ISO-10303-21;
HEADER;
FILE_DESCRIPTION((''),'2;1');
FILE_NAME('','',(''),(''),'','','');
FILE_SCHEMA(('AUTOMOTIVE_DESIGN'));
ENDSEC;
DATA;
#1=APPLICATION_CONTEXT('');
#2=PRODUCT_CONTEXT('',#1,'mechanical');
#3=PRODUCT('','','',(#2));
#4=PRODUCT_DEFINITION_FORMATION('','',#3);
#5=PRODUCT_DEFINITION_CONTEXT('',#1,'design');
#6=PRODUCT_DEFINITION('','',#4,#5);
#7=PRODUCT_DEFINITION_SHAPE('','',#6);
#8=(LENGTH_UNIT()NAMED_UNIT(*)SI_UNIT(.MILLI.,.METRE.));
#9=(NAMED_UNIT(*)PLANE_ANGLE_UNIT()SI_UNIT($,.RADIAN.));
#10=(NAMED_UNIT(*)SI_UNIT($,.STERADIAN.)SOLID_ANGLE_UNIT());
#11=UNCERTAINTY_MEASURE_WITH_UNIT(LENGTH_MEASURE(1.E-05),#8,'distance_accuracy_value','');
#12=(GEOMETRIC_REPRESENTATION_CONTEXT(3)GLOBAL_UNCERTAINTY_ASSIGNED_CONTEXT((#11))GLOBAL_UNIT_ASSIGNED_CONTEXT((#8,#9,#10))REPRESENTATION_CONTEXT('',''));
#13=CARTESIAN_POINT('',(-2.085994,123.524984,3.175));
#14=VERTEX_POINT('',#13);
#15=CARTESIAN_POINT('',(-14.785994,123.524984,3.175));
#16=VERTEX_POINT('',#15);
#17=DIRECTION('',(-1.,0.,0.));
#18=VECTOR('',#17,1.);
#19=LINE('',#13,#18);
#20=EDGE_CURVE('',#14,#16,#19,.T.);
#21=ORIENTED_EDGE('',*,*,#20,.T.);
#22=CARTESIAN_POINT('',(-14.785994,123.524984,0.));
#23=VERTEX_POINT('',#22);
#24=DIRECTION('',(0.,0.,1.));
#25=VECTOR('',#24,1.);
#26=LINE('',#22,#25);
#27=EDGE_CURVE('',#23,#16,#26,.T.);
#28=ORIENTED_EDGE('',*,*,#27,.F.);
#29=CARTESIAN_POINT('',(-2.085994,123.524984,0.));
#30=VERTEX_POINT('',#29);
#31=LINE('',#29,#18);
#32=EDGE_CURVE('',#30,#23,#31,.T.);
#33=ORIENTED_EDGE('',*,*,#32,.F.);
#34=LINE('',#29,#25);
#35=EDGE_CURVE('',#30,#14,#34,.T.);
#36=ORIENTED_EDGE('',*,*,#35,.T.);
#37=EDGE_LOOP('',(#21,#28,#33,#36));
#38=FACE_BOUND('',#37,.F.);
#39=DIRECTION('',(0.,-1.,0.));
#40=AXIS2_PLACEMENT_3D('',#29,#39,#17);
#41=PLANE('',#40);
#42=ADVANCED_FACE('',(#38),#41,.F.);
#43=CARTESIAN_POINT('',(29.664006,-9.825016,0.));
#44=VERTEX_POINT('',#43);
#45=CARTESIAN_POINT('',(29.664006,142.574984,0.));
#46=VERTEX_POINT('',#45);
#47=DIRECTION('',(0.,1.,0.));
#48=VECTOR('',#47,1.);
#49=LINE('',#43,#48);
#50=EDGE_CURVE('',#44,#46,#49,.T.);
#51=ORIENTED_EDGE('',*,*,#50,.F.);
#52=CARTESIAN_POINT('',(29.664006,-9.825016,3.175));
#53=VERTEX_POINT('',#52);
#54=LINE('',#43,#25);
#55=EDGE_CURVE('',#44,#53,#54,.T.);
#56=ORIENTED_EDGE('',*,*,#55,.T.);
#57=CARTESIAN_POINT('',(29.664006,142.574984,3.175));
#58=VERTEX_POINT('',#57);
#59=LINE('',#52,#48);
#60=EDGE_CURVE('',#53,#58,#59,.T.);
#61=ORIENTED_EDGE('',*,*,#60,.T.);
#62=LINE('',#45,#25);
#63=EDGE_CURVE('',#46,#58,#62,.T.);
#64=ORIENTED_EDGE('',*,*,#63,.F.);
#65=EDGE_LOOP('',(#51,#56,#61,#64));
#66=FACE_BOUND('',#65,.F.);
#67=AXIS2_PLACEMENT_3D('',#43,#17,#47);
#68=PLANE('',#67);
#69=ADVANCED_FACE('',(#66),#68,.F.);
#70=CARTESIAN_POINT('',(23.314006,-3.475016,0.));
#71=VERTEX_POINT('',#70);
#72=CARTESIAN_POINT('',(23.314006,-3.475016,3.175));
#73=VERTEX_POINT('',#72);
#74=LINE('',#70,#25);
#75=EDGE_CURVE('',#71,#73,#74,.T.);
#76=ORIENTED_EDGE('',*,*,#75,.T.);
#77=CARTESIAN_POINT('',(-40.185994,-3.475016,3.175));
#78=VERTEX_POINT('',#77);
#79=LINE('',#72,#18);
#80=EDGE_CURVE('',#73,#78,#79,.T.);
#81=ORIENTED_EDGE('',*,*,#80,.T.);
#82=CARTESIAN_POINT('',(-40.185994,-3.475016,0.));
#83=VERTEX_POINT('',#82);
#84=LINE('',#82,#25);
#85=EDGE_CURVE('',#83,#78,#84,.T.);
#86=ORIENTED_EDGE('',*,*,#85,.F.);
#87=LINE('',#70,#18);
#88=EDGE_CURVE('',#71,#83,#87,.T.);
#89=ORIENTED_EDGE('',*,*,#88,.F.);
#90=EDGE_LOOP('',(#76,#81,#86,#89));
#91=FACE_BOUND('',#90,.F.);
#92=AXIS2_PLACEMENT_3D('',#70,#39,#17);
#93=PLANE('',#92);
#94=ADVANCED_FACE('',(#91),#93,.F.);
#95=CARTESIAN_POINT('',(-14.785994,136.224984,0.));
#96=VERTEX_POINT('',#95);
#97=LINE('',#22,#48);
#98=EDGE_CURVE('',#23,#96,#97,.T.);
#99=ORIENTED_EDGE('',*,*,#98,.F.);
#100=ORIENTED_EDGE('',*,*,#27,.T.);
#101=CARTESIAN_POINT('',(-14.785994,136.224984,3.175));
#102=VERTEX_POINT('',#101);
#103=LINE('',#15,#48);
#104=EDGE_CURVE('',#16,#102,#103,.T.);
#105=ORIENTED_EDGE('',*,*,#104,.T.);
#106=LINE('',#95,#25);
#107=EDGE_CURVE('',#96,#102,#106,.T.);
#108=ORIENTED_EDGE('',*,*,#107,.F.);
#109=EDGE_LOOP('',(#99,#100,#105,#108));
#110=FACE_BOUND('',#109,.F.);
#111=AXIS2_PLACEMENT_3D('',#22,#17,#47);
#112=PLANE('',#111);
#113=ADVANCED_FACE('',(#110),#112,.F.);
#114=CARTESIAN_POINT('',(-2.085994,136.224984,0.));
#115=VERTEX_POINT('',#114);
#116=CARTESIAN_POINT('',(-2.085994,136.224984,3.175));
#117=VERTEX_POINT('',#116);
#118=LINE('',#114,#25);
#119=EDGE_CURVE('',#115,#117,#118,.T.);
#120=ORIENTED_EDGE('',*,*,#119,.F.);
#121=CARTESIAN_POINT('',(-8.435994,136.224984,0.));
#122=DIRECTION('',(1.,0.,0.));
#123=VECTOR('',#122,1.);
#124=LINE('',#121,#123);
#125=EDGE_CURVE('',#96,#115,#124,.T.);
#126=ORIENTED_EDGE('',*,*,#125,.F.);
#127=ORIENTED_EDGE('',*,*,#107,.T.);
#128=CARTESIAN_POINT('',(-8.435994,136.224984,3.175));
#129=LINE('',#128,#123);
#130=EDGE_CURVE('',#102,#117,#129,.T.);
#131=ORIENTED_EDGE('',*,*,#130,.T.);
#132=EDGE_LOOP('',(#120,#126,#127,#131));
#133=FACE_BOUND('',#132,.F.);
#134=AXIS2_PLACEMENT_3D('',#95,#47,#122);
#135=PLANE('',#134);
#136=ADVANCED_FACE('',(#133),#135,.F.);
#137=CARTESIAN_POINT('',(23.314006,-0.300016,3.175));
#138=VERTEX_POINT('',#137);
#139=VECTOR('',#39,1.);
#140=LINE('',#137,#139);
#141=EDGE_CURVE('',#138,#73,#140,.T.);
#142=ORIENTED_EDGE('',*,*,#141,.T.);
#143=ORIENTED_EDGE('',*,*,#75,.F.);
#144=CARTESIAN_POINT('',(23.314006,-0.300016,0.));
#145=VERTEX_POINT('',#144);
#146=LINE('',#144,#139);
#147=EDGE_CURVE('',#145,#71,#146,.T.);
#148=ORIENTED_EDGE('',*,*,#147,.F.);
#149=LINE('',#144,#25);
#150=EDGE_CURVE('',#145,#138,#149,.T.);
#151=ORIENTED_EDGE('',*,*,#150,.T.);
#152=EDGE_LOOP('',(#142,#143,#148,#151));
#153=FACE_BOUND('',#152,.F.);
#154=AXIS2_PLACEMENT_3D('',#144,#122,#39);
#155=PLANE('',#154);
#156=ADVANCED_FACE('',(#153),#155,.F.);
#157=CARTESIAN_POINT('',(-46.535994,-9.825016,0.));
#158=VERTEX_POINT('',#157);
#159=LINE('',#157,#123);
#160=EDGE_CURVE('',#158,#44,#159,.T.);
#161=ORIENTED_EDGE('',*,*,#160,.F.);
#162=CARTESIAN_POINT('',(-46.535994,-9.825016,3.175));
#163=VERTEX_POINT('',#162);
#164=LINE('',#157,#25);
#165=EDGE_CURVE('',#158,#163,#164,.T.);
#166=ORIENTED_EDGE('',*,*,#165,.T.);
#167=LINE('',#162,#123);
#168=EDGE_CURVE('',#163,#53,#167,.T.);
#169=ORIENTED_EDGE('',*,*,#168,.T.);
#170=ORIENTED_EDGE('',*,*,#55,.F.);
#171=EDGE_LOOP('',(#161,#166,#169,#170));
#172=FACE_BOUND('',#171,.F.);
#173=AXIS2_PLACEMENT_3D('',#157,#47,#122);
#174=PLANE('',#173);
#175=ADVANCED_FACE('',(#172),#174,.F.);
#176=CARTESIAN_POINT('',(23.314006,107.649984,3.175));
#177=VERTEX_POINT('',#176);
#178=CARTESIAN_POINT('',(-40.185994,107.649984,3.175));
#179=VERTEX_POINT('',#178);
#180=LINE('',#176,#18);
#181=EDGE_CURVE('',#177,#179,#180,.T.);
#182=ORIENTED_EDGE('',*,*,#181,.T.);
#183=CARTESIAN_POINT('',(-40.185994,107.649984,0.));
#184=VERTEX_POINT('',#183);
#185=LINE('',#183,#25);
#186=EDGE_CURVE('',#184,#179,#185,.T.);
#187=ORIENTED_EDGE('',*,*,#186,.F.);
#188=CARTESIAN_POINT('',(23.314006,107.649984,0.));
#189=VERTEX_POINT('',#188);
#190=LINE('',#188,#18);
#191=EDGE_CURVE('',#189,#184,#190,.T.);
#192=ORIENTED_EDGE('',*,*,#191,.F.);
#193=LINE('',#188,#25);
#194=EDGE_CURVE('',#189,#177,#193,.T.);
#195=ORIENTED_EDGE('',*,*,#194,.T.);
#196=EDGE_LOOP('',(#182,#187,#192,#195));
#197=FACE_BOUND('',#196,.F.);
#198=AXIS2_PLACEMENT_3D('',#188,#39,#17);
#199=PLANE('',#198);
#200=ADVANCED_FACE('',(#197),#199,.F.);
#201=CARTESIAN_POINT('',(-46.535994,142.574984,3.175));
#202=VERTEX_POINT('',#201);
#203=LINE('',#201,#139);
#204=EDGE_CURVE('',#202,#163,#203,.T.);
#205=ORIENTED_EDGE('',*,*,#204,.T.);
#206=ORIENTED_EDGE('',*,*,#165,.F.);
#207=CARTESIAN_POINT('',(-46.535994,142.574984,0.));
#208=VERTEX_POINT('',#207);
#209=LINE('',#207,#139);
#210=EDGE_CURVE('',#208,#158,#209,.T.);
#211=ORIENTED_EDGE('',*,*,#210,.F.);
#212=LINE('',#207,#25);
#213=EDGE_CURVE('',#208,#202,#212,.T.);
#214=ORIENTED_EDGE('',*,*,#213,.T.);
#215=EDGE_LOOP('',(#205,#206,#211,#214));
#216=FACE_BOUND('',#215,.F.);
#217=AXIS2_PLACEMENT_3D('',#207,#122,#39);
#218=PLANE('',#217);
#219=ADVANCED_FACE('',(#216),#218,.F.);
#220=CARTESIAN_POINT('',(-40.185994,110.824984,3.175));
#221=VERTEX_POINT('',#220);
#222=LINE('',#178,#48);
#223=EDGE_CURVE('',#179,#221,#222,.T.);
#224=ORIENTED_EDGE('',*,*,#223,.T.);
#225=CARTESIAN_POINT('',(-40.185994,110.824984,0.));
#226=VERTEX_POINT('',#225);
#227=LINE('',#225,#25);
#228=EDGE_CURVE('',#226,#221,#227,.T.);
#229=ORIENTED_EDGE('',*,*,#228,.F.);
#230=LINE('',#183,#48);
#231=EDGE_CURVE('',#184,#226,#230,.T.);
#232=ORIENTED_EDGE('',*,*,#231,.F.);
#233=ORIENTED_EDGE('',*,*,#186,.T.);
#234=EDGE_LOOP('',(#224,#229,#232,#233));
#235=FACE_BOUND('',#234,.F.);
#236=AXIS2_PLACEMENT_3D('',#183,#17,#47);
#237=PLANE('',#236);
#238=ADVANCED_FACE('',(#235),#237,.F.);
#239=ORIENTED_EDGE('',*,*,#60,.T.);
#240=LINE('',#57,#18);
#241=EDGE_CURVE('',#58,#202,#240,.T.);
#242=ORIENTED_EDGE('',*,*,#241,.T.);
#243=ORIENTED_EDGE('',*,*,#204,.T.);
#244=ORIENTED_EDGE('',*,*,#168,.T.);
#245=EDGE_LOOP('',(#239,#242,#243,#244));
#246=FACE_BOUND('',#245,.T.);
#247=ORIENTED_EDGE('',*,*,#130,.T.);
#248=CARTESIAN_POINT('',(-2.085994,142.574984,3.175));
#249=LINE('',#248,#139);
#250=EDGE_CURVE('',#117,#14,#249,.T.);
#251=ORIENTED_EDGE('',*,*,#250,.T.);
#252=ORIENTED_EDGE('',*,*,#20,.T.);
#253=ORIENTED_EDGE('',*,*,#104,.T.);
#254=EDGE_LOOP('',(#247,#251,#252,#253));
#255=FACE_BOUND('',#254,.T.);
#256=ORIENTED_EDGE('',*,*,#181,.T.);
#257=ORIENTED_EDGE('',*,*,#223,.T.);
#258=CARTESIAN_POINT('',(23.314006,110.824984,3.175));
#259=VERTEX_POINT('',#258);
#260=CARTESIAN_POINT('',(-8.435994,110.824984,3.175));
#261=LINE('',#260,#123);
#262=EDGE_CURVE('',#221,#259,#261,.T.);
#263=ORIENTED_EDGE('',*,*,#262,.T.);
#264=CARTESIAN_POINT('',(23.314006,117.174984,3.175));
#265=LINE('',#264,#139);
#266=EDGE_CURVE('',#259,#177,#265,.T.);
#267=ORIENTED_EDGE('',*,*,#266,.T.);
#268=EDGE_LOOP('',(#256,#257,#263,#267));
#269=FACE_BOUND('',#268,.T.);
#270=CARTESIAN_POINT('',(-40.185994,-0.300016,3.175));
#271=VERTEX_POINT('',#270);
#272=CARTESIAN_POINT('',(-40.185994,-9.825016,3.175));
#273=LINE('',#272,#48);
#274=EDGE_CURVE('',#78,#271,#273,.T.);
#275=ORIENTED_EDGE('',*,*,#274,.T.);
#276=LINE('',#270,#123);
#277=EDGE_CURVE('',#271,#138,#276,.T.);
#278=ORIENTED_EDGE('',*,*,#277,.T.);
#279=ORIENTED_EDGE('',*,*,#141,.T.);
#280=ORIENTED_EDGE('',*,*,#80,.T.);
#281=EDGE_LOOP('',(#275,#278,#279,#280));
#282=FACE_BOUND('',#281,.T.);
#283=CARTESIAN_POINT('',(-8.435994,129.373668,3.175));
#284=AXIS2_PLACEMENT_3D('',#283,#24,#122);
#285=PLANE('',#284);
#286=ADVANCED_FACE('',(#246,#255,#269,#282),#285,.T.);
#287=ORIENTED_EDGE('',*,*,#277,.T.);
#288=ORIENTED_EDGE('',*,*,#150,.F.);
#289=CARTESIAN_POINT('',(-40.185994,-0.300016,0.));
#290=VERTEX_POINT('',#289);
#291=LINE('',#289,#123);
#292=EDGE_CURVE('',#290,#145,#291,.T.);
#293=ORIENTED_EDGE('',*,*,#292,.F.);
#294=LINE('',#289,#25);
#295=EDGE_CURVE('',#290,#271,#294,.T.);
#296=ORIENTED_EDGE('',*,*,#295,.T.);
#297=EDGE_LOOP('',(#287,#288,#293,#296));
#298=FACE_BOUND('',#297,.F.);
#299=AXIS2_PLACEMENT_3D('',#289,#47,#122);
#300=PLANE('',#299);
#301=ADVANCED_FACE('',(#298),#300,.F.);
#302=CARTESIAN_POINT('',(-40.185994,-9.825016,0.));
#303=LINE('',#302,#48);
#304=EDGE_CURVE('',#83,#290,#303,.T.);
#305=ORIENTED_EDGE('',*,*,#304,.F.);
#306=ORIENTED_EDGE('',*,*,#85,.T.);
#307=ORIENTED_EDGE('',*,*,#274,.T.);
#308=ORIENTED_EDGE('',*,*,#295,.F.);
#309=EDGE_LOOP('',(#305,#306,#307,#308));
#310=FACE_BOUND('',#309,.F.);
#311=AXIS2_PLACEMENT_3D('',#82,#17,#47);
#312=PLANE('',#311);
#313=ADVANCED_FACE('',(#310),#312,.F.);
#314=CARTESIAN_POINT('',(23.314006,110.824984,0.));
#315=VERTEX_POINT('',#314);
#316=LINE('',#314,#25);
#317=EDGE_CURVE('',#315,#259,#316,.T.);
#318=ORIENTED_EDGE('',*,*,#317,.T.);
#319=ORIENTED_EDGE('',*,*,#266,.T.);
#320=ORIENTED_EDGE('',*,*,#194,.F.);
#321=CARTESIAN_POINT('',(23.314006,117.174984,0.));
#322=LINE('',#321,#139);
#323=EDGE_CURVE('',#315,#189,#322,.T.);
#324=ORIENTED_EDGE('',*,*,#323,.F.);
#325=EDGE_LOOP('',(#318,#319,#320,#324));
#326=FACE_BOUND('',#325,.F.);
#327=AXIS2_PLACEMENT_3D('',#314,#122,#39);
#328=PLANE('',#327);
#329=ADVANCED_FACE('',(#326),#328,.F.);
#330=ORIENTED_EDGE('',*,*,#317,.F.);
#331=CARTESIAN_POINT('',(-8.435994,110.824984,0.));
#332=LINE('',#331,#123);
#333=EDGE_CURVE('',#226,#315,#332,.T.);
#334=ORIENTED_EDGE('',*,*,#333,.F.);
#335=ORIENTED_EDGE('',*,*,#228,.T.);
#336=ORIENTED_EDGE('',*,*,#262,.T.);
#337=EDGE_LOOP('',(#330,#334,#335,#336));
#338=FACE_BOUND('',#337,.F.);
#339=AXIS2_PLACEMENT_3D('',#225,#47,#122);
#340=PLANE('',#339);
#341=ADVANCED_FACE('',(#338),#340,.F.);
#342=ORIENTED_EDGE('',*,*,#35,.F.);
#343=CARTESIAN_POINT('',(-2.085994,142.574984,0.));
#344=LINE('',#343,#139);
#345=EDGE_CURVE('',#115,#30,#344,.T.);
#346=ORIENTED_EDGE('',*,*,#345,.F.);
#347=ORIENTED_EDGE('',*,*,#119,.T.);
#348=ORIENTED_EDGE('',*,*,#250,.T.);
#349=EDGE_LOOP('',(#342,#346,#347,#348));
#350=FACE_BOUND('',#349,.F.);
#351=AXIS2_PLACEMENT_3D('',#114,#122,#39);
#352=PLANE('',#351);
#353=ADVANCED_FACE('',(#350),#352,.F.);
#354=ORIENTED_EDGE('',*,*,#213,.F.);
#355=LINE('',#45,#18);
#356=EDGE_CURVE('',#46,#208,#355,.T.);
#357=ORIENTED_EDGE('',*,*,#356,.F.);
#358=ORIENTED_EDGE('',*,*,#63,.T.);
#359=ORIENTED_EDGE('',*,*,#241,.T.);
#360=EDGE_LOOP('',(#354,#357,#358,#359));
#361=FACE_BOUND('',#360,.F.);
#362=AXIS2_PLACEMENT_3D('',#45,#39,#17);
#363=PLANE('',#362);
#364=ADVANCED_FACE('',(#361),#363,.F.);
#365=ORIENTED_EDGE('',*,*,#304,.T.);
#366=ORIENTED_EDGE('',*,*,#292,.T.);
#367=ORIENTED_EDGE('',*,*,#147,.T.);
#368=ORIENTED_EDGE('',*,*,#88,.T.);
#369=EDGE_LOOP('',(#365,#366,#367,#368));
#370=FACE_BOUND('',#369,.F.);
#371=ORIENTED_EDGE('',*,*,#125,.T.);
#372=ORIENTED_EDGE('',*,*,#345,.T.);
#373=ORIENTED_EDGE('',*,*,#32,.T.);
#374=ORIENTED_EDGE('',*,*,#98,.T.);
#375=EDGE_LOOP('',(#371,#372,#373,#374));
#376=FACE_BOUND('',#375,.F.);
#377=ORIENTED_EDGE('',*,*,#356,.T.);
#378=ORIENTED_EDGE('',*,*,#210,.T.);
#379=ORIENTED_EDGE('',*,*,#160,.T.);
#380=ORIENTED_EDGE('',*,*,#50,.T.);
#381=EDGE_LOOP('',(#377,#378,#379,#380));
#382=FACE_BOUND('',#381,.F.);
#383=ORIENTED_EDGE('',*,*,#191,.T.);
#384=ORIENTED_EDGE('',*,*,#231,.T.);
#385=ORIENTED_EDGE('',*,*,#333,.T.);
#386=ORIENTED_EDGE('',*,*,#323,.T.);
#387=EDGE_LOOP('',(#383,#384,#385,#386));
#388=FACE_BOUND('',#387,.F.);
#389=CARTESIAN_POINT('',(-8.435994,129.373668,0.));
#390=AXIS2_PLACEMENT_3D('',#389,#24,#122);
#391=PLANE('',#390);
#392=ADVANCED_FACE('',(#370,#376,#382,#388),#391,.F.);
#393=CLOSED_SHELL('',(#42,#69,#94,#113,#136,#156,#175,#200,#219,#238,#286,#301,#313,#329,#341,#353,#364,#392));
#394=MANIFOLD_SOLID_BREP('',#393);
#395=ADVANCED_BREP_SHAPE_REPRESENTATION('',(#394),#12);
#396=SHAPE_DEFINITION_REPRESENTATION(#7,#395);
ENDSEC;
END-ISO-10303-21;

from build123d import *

# Parameters (mm, degrees)
F0_W     = 6.35
F0_H     = 6.35
F0_W_2   = 12.7
F0_W_3   = 63.5
F1_DEPTH = 3.175


with BuildPart() as f1:
    # F0 (on Top) → F1 (new body)
    with BuildSketch(Plane.XY):
        Polygon((-46.535994, 142.574984), (-46.535994, 117.174984), (-40.185994, 117.174984), (23.314006, 117.174984), (29.664006, 117.174984), (29.664006, 142.574984), (-2.085994, 142.574984), (-2.085994, 136.224984), (-2.085994, 123.524984), (-14.785994, 123.524984), (-14.785994, 136.224984), (-14.785994, 142.574984), align=None)
        with Locations((-43.360994, 113.999984)):
            Rectangle(F0_W, F0_H)
        Polygon((-40.185994, 110.824984), (-46.535994, 110.824984), (-46.535994, -3.475016), (-40.185994, -3.475016), (-40.185994, -0.300016), (23.314006, -0.300016), (23.314006, -3.475016), (29.664006, -3.475016), (29.664006, 110.824984), (23.314006, 110.824984), (23.314006, 107.649984), (-40.185994, 107.649984), align=None)
        with Locations((26.489006, 113.999984)):
            Rectangle(F0_W, F0_H)
        with Locations((-43.360994, -6.650016)):
            Rectangle(F0_W, F0_H)
        with Locations((-8.435994, 139.399984)):
            Rectangle(F0_W_2, F0_H)
        Polygon((23.314006, -3.475016), (-40.185994, -3.475016), (-40.185994, -9.825016), (4.264006, -9.825016), (23.314006, -9.825016), align=None)
        with Locations((26.489006, -6.650016)):
            Rectangle(F0_W, F0_H)
        with Locations((-8.435994, 113.999984)):
            Rectangle(F0_W_3, F0_H)
    extrude(amount=F1_DEPTH)


solid = f1.part
